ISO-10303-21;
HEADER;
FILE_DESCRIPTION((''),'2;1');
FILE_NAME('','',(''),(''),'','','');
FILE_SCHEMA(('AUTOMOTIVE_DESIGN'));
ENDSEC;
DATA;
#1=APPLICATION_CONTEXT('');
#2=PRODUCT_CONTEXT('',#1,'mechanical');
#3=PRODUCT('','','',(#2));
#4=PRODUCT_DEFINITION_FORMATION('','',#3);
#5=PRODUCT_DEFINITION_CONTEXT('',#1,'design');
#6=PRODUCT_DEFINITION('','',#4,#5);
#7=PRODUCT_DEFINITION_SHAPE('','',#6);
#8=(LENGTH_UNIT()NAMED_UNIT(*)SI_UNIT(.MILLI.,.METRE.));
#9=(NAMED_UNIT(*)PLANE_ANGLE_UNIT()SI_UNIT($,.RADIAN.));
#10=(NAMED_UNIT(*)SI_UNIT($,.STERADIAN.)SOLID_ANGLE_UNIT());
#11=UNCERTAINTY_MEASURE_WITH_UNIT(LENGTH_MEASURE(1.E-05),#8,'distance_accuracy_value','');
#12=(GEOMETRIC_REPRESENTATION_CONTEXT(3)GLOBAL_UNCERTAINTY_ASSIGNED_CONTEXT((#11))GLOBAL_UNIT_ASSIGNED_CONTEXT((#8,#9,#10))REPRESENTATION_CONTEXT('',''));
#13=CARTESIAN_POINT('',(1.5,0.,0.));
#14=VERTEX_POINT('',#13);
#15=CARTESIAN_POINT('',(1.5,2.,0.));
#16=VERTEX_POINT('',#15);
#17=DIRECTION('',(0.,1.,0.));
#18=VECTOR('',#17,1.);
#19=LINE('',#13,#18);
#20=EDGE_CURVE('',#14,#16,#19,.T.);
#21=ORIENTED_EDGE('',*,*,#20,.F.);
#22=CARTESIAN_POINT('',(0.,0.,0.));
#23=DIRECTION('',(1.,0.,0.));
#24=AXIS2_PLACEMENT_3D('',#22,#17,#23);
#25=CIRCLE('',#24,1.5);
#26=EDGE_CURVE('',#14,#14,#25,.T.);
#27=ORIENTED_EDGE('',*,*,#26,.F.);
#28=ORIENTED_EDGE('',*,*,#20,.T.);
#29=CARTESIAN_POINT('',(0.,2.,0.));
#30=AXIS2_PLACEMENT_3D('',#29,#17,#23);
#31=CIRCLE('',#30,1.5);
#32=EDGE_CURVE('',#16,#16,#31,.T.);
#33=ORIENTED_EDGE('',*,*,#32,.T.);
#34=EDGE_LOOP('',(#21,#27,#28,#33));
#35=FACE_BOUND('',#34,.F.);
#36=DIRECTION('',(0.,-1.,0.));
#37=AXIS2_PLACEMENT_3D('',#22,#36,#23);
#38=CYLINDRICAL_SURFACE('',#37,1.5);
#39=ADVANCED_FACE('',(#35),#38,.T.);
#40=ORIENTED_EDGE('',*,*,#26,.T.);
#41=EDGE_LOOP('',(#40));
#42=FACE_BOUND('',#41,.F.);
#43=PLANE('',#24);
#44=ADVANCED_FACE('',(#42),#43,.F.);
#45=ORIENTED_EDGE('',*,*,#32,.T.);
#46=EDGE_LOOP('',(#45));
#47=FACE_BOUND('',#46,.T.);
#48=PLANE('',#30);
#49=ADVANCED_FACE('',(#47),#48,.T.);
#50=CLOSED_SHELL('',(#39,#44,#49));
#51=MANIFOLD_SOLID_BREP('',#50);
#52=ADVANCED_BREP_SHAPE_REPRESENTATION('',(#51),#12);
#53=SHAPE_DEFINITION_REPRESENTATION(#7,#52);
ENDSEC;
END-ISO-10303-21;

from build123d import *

# Parameters (mm, degrees)
SKETCH_1_R      = 1.5
EXTRUDE_1_DEPTH = 2


with BuildPart() as part:
    # 草图1 → 凸台-拉伸1 (new body)
    with BuildSketch(Plane(origin=(0, 0, 0), x_dir=(1, 0, 0), z_dir=(0, 1, 0))):
        Circle(SKETCH_1_R)
    extrude(amount=EXTRUDE_1_DEPTH)


solid = part.part
